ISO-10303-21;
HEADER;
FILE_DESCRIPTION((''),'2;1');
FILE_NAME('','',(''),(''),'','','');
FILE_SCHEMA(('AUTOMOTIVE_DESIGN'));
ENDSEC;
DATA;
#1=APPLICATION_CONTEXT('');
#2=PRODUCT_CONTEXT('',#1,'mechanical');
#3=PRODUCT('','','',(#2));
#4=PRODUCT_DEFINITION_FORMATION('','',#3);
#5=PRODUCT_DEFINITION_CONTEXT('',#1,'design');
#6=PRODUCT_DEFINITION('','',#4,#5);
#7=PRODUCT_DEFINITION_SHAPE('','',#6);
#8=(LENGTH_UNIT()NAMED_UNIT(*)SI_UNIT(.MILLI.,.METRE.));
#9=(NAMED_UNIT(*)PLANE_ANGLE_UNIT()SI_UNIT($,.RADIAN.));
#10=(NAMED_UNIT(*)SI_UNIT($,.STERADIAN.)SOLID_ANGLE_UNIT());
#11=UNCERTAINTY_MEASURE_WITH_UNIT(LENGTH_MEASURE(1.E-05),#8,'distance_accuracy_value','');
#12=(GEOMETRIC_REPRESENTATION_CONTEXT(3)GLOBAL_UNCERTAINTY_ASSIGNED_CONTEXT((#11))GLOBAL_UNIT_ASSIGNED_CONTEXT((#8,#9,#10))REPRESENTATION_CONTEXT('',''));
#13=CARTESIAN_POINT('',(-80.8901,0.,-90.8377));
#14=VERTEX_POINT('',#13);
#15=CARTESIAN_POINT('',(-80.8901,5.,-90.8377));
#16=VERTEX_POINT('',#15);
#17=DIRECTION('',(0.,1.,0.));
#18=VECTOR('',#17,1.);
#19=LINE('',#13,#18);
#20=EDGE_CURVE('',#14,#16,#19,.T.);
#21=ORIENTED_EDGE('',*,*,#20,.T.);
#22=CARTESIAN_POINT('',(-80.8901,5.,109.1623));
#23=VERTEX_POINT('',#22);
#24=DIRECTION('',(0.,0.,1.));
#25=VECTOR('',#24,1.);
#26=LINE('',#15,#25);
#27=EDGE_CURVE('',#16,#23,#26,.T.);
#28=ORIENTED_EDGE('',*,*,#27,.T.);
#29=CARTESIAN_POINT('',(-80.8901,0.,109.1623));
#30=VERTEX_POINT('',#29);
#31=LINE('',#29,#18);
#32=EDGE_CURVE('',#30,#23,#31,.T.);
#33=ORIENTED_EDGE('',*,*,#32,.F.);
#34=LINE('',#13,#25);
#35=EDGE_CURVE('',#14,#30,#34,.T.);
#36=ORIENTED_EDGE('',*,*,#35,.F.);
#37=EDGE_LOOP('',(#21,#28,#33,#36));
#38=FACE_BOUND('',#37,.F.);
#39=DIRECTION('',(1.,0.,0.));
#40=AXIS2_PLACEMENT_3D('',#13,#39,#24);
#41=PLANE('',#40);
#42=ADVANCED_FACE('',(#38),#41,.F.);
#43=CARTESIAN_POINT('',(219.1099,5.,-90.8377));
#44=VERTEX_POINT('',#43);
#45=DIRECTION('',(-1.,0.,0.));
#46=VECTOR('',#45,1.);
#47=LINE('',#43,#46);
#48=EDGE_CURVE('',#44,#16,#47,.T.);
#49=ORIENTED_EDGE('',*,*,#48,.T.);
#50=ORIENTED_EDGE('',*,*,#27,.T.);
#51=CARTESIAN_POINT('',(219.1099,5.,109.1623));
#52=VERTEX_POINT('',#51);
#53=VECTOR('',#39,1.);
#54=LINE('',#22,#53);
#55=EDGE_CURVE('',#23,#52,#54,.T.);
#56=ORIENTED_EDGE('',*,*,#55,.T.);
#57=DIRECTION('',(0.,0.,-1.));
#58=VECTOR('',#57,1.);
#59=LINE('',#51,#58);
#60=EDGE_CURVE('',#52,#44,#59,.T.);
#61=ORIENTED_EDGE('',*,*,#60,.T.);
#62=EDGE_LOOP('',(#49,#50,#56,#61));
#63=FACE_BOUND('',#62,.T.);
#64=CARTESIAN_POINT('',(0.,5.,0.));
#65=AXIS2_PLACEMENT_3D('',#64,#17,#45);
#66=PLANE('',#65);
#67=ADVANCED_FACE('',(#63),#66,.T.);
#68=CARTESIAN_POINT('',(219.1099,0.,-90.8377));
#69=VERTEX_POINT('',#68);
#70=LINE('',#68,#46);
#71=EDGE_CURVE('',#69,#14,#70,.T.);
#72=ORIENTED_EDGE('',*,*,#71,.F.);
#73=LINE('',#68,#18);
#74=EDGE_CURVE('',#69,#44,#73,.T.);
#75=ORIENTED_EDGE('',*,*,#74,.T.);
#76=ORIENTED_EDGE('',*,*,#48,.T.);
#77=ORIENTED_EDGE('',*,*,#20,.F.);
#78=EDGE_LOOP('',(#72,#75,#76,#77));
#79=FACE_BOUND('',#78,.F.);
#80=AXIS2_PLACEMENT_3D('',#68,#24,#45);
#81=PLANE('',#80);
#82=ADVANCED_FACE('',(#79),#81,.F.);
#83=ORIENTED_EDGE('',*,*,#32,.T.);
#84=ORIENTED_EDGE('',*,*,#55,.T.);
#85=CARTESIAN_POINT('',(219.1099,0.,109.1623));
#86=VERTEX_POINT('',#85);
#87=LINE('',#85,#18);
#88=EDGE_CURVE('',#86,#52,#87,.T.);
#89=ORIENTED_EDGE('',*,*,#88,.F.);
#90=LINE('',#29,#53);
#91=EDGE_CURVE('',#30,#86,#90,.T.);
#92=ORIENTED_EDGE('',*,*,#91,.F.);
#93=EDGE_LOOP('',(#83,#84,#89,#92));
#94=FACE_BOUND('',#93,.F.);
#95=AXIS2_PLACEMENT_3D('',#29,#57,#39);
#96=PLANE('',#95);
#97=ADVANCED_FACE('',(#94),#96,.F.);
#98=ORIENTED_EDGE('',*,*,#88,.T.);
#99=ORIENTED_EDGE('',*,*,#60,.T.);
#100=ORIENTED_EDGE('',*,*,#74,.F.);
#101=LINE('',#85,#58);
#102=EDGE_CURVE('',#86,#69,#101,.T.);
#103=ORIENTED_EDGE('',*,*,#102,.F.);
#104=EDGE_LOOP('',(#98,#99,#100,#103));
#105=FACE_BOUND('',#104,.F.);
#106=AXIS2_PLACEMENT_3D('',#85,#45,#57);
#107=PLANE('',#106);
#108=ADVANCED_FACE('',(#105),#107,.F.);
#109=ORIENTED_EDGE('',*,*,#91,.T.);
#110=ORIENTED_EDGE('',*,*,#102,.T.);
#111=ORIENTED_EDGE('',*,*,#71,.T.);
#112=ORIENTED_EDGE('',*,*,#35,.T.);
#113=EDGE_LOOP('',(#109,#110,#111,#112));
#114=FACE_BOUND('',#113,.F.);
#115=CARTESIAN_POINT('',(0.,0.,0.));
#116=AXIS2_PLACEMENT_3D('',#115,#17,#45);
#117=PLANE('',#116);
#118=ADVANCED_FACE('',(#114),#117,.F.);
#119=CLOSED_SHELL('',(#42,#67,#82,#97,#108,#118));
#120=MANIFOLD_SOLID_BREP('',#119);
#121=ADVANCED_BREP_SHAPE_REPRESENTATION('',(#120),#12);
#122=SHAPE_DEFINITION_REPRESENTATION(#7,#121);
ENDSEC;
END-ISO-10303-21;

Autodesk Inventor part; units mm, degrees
ref_plane "YZ Plane" through (0, 0, 0) normal (1, 0, 0) x (0, 1, 0)
ref_plane "XZ Plane" through (0, 0, 0) normal (0, 1, 0) x (-1, 0, 0)
ref_plane "XY Plane" through (0, 0, 0) normal (0, 0, 1) x (1, 0, 0)
sketch "Sketch1" plane through (0, 0, 0) normal (0, 1, 0) x (-1, 0, 0)
  line L0 (80.8901, 109.1623) -> (-219.1099, 109.1623)
  line L1 (-219.1099, 109.1623) -> (-219.1099, -90.8377)
  line L2 (-219.1099, -90.8377) -> (80.8901, -90.8377)
  line L3 (80.8901, -90.8377) -> (80.8901, 109.1623)
  point P0 (0, 0)
  dimension "d0" = 200
  dimension "d1" = 300
extrude "Extrusion1" add sketch "Sketch1" along normal blind 5
properties part number "face_lateral_robot"
